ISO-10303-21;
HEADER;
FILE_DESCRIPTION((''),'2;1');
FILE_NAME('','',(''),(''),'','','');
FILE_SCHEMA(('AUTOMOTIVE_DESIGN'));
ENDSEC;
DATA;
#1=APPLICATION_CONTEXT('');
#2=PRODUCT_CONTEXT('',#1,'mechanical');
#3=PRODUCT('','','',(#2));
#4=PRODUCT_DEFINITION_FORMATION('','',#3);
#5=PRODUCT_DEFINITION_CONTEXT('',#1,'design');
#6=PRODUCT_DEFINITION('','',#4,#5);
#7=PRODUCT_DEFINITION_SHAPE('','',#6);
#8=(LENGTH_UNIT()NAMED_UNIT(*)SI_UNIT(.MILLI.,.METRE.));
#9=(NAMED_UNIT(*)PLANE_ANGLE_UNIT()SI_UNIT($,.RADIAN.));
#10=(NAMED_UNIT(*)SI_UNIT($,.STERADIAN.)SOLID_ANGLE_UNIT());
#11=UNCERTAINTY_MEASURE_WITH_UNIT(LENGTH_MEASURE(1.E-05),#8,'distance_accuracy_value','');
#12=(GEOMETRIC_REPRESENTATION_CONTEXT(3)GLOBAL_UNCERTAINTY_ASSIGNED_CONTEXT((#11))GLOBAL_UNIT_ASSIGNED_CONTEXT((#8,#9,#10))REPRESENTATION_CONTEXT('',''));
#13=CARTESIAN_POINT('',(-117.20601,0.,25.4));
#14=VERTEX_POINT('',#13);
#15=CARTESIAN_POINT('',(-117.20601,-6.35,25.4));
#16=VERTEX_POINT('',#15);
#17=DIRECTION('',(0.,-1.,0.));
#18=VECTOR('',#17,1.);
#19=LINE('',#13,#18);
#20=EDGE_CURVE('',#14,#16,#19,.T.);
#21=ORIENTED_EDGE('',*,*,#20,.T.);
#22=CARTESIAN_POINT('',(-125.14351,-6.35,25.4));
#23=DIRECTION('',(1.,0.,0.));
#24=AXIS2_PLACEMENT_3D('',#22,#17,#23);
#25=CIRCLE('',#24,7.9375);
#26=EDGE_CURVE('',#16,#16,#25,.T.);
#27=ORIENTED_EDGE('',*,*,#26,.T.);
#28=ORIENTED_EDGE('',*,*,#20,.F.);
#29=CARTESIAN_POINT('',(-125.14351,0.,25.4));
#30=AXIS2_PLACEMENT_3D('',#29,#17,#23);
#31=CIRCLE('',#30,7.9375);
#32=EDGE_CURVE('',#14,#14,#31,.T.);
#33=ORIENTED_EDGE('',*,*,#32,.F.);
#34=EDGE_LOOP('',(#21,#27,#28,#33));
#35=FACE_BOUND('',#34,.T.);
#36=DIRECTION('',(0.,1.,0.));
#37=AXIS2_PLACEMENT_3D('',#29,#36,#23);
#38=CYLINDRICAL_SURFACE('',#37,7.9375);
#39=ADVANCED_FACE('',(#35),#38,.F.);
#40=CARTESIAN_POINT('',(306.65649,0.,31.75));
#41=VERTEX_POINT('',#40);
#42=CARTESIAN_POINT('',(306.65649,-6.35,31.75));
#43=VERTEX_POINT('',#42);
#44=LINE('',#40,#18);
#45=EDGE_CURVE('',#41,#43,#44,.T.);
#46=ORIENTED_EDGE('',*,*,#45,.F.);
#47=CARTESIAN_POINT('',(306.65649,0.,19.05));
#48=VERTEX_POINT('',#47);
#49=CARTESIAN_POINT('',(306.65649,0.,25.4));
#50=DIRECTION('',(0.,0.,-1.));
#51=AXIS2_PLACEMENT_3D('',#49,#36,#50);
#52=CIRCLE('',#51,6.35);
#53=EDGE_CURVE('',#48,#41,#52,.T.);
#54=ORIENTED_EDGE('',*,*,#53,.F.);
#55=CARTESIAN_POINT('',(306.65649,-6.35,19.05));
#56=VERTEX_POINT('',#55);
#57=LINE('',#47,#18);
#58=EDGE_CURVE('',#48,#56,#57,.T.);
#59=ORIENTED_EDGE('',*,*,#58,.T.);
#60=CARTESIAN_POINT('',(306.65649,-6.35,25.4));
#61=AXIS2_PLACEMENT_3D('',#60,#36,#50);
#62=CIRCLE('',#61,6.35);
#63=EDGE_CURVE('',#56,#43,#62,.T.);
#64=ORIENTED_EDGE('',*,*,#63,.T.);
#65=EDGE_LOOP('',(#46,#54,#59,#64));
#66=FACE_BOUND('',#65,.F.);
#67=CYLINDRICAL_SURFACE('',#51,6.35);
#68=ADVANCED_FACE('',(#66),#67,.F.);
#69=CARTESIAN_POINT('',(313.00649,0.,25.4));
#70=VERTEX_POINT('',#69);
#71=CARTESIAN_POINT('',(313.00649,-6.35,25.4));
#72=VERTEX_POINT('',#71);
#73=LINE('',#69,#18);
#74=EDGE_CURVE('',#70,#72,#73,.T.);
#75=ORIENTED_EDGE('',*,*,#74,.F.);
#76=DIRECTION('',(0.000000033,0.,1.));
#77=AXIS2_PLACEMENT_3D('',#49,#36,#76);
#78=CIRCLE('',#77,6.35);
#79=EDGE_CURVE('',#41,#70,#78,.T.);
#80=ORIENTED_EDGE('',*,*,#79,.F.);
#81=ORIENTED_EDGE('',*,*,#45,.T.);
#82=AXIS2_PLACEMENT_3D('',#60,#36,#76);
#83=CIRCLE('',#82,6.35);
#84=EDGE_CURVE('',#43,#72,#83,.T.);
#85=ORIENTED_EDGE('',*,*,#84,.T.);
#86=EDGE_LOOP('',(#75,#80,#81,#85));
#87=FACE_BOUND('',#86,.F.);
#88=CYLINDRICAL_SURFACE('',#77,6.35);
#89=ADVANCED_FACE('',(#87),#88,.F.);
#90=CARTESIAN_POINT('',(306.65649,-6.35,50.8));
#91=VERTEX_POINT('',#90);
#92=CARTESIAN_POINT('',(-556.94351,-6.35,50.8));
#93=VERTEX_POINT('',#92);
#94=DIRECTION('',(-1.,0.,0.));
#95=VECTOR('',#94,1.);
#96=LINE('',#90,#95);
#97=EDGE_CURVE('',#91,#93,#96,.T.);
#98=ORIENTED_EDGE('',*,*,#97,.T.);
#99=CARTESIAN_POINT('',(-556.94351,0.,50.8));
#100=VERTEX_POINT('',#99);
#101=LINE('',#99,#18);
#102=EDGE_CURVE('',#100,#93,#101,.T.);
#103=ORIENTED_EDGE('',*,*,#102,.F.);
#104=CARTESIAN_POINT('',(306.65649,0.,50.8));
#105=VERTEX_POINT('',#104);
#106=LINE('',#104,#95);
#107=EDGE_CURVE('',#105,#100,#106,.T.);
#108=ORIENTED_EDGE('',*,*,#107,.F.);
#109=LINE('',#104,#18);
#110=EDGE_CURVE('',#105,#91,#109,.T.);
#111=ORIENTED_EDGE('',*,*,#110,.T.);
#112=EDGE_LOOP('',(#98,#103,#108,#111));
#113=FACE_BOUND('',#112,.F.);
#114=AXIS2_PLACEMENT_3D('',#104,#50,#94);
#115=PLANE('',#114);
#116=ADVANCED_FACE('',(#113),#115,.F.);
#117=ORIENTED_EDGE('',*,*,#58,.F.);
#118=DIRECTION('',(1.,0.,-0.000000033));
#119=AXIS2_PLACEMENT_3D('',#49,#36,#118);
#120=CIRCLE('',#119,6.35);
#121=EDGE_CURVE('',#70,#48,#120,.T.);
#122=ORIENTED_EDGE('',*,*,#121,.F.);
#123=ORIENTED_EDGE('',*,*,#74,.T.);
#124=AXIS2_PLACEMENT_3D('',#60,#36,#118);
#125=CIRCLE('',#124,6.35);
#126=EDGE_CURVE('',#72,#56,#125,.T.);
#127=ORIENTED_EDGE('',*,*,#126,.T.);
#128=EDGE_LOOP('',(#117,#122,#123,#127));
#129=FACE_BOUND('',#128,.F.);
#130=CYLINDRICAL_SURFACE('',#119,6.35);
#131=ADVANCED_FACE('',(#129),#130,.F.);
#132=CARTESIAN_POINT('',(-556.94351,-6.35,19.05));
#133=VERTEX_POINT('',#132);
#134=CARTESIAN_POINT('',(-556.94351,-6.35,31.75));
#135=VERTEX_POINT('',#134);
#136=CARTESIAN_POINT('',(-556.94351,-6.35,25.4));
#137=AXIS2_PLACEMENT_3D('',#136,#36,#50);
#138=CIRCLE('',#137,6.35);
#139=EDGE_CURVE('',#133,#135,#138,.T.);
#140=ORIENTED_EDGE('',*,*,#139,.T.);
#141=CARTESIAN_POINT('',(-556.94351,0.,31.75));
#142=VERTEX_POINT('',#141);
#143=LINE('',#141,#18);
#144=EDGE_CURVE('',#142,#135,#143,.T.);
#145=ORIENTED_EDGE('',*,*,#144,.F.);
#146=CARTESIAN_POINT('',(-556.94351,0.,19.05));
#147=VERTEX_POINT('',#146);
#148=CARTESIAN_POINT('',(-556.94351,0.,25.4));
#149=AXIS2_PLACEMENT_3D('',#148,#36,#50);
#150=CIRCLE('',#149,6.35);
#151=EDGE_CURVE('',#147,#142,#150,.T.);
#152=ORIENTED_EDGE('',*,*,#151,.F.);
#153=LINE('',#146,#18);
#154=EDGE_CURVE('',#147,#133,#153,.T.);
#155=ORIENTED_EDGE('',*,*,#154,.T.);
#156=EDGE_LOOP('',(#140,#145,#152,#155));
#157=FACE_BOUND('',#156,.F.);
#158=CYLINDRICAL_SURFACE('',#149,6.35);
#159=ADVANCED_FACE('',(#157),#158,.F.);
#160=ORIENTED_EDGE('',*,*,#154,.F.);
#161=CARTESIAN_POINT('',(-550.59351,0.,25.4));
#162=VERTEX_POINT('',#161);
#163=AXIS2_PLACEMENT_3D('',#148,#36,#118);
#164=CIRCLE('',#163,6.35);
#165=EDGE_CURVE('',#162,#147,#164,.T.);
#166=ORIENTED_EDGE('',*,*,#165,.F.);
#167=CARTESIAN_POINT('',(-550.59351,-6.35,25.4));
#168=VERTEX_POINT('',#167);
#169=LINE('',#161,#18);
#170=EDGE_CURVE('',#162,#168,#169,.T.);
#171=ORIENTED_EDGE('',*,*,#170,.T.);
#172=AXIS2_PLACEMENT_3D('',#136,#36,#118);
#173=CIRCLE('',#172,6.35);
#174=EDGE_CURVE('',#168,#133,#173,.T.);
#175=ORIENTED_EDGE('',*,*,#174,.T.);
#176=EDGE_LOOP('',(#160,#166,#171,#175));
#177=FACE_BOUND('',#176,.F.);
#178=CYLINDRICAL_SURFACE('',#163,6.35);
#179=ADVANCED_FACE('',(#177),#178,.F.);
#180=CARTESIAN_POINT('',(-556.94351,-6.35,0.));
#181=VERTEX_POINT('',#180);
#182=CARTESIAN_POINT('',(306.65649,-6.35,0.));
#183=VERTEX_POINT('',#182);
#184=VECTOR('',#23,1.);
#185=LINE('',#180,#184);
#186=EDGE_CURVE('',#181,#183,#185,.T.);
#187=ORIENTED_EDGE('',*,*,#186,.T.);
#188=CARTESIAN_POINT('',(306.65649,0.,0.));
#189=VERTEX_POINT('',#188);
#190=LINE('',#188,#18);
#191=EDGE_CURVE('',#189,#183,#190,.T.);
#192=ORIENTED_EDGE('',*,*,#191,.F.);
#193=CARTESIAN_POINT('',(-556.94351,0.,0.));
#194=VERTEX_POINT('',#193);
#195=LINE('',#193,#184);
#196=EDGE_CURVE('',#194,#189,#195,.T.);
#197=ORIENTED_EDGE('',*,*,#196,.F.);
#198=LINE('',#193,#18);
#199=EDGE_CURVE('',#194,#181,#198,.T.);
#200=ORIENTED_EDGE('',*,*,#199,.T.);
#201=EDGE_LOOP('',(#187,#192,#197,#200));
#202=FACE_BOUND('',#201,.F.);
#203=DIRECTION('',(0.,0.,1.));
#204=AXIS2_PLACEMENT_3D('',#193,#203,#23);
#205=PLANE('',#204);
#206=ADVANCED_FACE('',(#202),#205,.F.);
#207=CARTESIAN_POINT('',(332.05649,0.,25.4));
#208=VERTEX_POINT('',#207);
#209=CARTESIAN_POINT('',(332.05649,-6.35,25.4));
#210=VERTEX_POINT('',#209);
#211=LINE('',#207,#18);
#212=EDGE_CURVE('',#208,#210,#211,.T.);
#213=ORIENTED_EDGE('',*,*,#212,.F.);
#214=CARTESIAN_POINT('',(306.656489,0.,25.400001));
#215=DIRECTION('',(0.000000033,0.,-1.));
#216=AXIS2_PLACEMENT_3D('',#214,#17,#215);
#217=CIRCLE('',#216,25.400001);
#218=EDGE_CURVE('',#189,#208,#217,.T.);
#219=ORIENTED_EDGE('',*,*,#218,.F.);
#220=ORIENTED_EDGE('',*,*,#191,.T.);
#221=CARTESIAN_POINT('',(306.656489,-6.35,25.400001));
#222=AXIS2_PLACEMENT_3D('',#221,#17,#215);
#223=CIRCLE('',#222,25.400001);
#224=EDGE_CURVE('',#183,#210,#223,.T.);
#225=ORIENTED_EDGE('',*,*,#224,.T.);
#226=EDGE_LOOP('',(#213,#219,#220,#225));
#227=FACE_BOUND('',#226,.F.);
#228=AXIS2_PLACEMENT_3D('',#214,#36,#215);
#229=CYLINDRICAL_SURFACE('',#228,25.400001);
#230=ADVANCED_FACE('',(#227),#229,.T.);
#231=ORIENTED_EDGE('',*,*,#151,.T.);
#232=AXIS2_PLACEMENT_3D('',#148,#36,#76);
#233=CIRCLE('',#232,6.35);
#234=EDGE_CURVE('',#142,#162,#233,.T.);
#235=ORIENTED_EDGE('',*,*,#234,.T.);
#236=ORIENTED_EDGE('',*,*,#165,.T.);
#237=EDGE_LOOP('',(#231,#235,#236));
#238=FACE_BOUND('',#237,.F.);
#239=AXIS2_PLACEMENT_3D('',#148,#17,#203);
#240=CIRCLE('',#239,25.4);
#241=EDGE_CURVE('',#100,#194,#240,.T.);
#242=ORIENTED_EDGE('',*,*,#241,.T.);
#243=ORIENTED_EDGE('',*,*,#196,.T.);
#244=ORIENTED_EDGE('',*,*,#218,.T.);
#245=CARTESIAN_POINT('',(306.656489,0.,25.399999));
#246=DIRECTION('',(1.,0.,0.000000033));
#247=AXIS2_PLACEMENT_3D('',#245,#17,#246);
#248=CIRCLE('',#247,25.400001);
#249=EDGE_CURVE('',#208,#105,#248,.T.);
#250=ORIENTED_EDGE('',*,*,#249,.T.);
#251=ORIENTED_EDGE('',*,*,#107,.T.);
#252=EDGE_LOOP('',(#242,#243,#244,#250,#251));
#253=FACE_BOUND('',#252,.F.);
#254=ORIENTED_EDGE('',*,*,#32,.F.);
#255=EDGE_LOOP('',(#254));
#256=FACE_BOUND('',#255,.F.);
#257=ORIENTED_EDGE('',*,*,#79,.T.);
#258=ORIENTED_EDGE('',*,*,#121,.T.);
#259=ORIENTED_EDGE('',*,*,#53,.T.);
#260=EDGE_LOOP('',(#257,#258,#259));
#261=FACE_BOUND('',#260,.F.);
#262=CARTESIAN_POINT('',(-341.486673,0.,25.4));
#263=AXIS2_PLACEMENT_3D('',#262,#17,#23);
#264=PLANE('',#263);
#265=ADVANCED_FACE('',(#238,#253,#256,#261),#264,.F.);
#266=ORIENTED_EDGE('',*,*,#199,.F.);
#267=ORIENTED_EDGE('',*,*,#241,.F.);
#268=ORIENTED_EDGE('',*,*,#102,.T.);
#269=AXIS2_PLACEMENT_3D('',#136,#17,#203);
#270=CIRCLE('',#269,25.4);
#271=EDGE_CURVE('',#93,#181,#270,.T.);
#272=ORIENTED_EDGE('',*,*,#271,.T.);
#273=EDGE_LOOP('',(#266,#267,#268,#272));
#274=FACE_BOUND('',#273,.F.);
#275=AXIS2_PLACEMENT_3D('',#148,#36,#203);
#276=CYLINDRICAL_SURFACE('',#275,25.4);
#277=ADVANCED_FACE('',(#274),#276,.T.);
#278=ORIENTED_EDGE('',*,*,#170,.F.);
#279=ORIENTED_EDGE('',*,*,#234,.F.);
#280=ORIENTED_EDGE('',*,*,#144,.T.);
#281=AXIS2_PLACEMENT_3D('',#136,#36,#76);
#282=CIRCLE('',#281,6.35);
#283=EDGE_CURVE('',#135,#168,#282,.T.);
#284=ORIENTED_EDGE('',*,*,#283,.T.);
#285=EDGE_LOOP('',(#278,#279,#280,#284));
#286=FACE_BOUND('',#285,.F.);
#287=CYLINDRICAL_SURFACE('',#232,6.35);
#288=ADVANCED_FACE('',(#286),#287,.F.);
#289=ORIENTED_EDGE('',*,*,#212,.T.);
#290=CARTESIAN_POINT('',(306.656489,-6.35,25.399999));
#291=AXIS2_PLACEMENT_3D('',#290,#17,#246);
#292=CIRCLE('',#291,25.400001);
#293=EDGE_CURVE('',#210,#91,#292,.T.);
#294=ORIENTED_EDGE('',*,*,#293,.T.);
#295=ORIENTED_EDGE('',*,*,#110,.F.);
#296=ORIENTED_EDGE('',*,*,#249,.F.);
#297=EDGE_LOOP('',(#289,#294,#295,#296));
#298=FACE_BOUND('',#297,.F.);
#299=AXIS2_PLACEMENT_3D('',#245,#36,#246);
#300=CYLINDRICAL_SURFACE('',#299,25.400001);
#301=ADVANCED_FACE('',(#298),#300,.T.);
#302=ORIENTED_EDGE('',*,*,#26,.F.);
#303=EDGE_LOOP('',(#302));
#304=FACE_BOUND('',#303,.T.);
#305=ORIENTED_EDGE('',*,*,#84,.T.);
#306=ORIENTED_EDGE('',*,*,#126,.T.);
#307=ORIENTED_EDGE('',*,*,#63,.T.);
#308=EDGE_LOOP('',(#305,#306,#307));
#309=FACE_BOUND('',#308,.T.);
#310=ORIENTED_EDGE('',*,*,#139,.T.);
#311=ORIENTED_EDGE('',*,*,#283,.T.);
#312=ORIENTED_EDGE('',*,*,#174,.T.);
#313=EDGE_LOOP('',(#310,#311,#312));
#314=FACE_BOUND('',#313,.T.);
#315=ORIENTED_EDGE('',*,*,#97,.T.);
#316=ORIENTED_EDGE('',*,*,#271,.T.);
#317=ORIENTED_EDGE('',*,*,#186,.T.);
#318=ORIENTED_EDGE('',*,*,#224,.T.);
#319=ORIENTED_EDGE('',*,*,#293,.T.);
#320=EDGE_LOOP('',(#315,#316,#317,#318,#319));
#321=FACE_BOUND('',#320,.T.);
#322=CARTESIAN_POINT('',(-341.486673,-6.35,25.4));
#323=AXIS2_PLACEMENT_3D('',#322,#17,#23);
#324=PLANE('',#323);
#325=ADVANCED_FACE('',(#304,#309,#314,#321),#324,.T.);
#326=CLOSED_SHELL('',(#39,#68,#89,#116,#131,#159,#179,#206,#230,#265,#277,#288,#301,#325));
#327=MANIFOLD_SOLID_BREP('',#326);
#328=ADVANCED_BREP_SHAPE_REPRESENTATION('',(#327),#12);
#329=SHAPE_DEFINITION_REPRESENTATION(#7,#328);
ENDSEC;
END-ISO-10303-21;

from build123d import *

# Parameters (mm, degrees)
F0_R     = 7.9375
F1_DEPTH = 6.35


with BuildPart() as f1:
    # F0 (on Front) → F1 (new body)
    with BuildSketch(Plane.XZ):
        with BuildLine():
            Line((-125.14351, 50.8), (-556.94351, 50.8))
            ThreePointArc((-556.94351, 50.8), (-538.982998, 43.360512), (-531.54351, 25.4))
            ThreePointArc((-531.54351, 25.4), (-538.982998, 7.439488), (-556.94351, 0))
            Line((-556.94351, 0), (-125.14351, 0))
            ThreePointArc((-125.14351, 0), (-150.54351, 25.4), (-125.14351, 50.8))
        make_face()
        with BuildLine():
            ThreePointArc((-531.54351, 25.4), (-538.982998, 43.360512), (-556.94351, 50.8))
            Line((-556.94351, 50.8), (-556.94351, 31.75))
            ThreePointArc((-556.94351, 31.75), (-552.453382, 29.890128), (-550.59351, 25.4))
            ThreePointArc((-550.59351, 25.4), (-552.453382, 20.909872), (-556.94351, 19.05))
            Line((-556.94351, 19.05), (-556.94351, 0))
            ThreePointArc((-556.94351, 0), (-538.982998, 7.439488), (-531.54351, 25.4))
        make_face()
        with BuildLine():
            Line((306.65649, 31.75), (306.65649, 50.8))
            ThreePointArc((306.65649, 50.8), (281.25649, 25.4), (306.65649, 0))
            Line((306.65649, 0), (306.65649, 19.05))
            ThreePointArc((306.65649, 19.05), (300.30649, 25.4), (306.65649, 31.75))
        make_face()
        with BuildLine():
            Line((-556.94351, 31.75), (-556.94351, 50.8))
            ThreePointArc((-556.94351, 50.8), (-582.34351, 25.4), (-556.94351, 0))
            Line((-556.94351, 0), (-556.94351, 19.05))
            ThreePointArc((-556.94351, 19.05), (-563.29351, 25.4), (-556.94351, 31.75))
        make_face()
        with BuildLine():
            ThreePointArc((332.05649, 25.4), (324.617002, 43.360512), (306.65649, 50.8))
            Line((306.65649, 50.8), (306.65649, 31.75))
            ThreePointArc((306.65649, 31.75), (311.146618, 29.890128), (313.00649, 25.4))
            ThreePointArc((313.00649, 25.4), (311.146618, 20.909872), (306.65649, 19.05))
            Line((306.65649, 19.05), (306.65649, 0))
            ThreePointArc((306.65649, 0), (324.617002, 7.439488), (332.05649, 25.4))
        make_face()
        with BuildLine():
            ThreePointArc((-99.74351, 25.4), (-107.182998, 43.360512), (-125.14351, 50.8))
            ThreePointArc((-125.14351, 50.8), (-150.54351, 25.4), (-125.14351, 0))
            ThreePointArc((-125.14351, 0), (-107.182998, 7.439488), (-99.74351, 25.4))
        make_face()
        with Locations((-125.14351, 25.4)):
            Circle(F0_R, mode=Mode.SUBTRACT)
        with BuildLine():
            Line((306.65649, 50.8), (-125.14351, 50.8))
            ThreePointArc((-125.14351, 50.8), (-107.182998, 43.360512), (-99.74351, 25.4))
            ThreePointArc((-99.74351, 25.4), (-107.182998, 7.439488), (-125.14351, 0))
            Line((-125.14351, 0), (306.65649, 0))
            ThreePointArc((306.65649, 0), (281.25649, 25.4), (306.65649, 50.8))
        make_face()
    extrude(amount=F1_DEPTH)


solid = f1.part
